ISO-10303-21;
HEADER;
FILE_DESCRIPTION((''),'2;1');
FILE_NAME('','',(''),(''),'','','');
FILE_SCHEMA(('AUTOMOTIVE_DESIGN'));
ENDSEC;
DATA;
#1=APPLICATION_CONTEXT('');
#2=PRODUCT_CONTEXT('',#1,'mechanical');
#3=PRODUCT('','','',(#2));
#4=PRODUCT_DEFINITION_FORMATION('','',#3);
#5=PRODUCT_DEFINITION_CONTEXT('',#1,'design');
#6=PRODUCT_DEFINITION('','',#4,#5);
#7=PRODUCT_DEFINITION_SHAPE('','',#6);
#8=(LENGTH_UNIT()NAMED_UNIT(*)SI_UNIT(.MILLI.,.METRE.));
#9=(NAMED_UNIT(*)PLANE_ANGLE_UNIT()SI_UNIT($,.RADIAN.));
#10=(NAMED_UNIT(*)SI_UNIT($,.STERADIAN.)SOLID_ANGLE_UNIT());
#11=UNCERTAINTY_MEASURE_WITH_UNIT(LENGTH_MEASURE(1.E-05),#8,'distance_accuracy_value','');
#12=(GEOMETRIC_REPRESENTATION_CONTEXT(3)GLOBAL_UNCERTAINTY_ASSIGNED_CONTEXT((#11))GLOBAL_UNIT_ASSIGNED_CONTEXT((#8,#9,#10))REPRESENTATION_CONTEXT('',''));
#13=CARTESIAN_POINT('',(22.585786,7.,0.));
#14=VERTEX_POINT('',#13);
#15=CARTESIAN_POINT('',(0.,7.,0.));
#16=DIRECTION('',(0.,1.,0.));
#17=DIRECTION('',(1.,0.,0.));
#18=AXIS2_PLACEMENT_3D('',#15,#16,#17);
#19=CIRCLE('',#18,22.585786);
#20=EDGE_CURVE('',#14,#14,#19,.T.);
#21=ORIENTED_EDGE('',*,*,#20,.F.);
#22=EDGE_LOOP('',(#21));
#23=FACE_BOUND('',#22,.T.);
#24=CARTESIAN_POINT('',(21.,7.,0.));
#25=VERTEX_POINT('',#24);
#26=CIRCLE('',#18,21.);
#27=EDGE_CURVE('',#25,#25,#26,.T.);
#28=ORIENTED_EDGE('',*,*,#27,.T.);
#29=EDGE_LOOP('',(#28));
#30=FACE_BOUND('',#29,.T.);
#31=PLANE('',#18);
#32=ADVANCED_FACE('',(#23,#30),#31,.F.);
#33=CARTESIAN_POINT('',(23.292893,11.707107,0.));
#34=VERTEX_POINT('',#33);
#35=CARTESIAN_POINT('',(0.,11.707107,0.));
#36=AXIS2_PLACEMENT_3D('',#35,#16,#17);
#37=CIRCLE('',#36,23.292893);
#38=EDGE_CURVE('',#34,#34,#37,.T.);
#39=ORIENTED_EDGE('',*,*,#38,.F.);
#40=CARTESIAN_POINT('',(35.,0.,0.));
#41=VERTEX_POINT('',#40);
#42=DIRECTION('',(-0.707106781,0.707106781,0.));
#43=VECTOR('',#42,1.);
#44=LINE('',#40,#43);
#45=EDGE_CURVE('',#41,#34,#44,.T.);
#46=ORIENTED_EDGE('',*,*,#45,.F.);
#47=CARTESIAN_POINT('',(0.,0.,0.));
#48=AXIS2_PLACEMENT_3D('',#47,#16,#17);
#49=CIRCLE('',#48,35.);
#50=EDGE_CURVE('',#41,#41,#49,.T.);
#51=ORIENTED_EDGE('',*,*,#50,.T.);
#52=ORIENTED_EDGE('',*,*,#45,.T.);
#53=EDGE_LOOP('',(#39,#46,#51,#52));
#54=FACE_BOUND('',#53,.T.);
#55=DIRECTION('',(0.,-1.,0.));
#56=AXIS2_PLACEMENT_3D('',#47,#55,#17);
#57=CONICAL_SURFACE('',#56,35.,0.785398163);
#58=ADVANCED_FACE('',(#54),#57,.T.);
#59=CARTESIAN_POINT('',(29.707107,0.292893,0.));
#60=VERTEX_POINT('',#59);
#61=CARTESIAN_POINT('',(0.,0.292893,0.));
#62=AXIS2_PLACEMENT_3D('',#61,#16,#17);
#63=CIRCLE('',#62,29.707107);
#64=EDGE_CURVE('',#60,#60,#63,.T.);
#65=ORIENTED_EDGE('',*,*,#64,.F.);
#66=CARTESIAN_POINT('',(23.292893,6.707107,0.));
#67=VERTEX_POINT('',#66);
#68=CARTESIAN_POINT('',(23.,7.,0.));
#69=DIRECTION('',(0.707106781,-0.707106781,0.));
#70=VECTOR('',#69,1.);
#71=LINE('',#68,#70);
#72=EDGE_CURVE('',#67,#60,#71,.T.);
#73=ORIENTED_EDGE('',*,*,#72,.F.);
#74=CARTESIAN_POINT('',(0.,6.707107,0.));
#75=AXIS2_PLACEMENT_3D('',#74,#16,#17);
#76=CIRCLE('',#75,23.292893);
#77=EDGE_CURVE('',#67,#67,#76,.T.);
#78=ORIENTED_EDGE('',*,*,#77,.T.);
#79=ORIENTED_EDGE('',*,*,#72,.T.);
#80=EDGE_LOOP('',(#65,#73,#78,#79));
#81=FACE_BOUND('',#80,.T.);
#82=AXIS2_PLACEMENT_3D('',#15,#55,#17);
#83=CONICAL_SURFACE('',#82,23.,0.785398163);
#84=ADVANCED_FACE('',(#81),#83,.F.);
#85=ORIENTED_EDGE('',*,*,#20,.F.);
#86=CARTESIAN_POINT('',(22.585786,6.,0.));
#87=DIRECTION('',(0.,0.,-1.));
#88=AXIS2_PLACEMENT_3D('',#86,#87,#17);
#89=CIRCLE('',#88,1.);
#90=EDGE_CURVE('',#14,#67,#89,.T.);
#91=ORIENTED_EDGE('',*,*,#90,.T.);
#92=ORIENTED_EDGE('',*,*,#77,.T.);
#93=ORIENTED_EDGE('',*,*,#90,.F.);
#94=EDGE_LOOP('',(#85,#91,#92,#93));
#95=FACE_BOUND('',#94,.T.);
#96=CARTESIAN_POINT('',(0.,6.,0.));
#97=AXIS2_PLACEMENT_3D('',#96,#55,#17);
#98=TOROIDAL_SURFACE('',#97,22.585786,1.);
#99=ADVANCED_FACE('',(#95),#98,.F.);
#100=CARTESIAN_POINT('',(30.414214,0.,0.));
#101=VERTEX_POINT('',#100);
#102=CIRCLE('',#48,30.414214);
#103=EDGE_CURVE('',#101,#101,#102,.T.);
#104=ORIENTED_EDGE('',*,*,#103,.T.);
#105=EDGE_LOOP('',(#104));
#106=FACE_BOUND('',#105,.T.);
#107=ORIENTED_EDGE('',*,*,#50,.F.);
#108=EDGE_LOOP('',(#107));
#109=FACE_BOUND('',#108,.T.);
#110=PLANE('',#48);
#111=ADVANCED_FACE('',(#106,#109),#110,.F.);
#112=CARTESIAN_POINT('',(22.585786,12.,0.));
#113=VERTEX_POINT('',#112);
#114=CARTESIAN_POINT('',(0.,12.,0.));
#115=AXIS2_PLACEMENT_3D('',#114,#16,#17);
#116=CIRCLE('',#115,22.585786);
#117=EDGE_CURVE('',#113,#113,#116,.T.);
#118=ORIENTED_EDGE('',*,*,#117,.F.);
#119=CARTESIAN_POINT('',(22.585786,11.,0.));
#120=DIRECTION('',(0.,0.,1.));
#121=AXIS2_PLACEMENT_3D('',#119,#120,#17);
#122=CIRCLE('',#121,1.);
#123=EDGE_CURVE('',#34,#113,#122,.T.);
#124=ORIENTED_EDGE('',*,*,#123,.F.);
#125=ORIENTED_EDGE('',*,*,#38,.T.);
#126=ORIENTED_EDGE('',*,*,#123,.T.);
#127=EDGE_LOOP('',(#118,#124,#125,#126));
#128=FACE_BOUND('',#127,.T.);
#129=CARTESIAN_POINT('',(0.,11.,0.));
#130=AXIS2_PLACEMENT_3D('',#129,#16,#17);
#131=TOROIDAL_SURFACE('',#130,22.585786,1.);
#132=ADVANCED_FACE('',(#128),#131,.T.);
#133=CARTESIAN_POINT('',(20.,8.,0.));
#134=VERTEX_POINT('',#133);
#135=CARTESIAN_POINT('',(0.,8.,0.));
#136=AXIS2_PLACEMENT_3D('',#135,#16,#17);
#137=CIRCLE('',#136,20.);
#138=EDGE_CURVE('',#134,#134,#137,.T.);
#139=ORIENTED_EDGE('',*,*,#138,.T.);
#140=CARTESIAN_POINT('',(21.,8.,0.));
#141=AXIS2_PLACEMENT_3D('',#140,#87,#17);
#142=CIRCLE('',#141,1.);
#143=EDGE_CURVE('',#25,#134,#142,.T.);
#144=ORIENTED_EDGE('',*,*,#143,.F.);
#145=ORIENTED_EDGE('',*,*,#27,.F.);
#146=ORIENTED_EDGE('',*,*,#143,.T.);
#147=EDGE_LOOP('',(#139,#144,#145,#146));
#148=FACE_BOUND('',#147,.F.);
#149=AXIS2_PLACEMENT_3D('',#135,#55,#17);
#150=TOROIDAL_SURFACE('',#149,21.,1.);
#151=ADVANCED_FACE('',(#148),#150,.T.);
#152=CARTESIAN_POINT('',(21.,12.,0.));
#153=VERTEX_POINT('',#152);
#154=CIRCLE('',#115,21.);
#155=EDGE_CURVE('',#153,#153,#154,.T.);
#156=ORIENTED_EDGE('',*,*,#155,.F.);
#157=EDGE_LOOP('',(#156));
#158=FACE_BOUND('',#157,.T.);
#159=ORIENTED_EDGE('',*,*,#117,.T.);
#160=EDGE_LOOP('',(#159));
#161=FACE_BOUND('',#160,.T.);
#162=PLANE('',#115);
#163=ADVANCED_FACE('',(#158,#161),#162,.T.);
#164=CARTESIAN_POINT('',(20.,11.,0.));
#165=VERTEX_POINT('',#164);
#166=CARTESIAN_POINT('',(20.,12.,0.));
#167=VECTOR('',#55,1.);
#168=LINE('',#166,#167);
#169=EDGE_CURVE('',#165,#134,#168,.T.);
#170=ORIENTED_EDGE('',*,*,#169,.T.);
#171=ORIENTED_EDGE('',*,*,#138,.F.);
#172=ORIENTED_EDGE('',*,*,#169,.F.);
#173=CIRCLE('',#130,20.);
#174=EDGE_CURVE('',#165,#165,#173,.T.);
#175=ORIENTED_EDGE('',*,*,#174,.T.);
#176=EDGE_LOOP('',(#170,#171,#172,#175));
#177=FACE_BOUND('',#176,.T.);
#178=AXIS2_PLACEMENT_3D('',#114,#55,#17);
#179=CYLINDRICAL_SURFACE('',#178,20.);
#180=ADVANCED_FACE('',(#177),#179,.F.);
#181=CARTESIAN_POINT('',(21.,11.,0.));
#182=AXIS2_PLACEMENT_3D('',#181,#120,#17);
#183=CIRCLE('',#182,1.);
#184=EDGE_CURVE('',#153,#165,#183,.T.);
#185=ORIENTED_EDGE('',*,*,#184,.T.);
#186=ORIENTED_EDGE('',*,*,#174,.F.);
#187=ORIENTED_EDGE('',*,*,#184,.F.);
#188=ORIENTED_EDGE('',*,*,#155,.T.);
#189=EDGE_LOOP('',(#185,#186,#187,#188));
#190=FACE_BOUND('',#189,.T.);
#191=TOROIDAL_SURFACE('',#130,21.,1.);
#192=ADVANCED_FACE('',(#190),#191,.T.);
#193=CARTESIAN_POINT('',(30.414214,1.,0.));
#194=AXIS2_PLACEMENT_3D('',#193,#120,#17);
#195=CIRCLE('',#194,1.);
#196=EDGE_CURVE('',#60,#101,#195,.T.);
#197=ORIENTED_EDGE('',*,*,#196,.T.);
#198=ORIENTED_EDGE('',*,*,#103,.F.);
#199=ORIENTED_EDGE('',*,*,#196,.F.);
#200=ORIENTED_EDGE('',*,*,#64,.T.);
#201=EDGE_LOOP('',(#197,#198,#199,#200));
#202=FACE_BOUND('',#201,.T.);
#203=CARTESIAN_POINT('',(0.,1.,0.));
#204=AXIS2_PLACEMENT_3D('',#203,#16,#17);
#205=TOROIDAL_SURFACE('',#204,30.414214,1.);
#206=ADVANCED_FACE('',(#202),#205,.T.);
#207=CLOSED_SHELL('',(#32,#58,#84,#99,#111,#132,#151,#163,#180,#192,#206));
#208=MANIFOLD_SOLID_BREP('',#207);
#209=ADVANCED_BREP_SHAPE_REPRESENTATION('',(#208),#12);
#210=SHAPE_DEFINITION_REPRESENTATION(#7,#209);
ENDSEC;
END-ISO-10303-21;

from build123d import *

# Parameters (mm, degrees)
FILLET_R = 1


with BuildPart() as part:
    # Sketch → Revolution (revolve)
    with BuildSketch(Plane.XY):
        Polygon((20, 7), (23, 7), (30, 0), (35, 0), (23, 12), (20, 12), align=None)
    revolve(axis=Axis((0, 0, 0), (0, 1, 0)))

    # Fillet
    fillet_edges = [part.edges().sort_by_distance(p)[0] for p in [
        (-30, 0, 0),
        (-23, 7, 0),
        (-20, 7, 0),
        (-23, 12, 0),
        (-20, 12, 0),
    ]]
    fillet(fillet_edges, radius=FILLET_R)


solid = part.part
